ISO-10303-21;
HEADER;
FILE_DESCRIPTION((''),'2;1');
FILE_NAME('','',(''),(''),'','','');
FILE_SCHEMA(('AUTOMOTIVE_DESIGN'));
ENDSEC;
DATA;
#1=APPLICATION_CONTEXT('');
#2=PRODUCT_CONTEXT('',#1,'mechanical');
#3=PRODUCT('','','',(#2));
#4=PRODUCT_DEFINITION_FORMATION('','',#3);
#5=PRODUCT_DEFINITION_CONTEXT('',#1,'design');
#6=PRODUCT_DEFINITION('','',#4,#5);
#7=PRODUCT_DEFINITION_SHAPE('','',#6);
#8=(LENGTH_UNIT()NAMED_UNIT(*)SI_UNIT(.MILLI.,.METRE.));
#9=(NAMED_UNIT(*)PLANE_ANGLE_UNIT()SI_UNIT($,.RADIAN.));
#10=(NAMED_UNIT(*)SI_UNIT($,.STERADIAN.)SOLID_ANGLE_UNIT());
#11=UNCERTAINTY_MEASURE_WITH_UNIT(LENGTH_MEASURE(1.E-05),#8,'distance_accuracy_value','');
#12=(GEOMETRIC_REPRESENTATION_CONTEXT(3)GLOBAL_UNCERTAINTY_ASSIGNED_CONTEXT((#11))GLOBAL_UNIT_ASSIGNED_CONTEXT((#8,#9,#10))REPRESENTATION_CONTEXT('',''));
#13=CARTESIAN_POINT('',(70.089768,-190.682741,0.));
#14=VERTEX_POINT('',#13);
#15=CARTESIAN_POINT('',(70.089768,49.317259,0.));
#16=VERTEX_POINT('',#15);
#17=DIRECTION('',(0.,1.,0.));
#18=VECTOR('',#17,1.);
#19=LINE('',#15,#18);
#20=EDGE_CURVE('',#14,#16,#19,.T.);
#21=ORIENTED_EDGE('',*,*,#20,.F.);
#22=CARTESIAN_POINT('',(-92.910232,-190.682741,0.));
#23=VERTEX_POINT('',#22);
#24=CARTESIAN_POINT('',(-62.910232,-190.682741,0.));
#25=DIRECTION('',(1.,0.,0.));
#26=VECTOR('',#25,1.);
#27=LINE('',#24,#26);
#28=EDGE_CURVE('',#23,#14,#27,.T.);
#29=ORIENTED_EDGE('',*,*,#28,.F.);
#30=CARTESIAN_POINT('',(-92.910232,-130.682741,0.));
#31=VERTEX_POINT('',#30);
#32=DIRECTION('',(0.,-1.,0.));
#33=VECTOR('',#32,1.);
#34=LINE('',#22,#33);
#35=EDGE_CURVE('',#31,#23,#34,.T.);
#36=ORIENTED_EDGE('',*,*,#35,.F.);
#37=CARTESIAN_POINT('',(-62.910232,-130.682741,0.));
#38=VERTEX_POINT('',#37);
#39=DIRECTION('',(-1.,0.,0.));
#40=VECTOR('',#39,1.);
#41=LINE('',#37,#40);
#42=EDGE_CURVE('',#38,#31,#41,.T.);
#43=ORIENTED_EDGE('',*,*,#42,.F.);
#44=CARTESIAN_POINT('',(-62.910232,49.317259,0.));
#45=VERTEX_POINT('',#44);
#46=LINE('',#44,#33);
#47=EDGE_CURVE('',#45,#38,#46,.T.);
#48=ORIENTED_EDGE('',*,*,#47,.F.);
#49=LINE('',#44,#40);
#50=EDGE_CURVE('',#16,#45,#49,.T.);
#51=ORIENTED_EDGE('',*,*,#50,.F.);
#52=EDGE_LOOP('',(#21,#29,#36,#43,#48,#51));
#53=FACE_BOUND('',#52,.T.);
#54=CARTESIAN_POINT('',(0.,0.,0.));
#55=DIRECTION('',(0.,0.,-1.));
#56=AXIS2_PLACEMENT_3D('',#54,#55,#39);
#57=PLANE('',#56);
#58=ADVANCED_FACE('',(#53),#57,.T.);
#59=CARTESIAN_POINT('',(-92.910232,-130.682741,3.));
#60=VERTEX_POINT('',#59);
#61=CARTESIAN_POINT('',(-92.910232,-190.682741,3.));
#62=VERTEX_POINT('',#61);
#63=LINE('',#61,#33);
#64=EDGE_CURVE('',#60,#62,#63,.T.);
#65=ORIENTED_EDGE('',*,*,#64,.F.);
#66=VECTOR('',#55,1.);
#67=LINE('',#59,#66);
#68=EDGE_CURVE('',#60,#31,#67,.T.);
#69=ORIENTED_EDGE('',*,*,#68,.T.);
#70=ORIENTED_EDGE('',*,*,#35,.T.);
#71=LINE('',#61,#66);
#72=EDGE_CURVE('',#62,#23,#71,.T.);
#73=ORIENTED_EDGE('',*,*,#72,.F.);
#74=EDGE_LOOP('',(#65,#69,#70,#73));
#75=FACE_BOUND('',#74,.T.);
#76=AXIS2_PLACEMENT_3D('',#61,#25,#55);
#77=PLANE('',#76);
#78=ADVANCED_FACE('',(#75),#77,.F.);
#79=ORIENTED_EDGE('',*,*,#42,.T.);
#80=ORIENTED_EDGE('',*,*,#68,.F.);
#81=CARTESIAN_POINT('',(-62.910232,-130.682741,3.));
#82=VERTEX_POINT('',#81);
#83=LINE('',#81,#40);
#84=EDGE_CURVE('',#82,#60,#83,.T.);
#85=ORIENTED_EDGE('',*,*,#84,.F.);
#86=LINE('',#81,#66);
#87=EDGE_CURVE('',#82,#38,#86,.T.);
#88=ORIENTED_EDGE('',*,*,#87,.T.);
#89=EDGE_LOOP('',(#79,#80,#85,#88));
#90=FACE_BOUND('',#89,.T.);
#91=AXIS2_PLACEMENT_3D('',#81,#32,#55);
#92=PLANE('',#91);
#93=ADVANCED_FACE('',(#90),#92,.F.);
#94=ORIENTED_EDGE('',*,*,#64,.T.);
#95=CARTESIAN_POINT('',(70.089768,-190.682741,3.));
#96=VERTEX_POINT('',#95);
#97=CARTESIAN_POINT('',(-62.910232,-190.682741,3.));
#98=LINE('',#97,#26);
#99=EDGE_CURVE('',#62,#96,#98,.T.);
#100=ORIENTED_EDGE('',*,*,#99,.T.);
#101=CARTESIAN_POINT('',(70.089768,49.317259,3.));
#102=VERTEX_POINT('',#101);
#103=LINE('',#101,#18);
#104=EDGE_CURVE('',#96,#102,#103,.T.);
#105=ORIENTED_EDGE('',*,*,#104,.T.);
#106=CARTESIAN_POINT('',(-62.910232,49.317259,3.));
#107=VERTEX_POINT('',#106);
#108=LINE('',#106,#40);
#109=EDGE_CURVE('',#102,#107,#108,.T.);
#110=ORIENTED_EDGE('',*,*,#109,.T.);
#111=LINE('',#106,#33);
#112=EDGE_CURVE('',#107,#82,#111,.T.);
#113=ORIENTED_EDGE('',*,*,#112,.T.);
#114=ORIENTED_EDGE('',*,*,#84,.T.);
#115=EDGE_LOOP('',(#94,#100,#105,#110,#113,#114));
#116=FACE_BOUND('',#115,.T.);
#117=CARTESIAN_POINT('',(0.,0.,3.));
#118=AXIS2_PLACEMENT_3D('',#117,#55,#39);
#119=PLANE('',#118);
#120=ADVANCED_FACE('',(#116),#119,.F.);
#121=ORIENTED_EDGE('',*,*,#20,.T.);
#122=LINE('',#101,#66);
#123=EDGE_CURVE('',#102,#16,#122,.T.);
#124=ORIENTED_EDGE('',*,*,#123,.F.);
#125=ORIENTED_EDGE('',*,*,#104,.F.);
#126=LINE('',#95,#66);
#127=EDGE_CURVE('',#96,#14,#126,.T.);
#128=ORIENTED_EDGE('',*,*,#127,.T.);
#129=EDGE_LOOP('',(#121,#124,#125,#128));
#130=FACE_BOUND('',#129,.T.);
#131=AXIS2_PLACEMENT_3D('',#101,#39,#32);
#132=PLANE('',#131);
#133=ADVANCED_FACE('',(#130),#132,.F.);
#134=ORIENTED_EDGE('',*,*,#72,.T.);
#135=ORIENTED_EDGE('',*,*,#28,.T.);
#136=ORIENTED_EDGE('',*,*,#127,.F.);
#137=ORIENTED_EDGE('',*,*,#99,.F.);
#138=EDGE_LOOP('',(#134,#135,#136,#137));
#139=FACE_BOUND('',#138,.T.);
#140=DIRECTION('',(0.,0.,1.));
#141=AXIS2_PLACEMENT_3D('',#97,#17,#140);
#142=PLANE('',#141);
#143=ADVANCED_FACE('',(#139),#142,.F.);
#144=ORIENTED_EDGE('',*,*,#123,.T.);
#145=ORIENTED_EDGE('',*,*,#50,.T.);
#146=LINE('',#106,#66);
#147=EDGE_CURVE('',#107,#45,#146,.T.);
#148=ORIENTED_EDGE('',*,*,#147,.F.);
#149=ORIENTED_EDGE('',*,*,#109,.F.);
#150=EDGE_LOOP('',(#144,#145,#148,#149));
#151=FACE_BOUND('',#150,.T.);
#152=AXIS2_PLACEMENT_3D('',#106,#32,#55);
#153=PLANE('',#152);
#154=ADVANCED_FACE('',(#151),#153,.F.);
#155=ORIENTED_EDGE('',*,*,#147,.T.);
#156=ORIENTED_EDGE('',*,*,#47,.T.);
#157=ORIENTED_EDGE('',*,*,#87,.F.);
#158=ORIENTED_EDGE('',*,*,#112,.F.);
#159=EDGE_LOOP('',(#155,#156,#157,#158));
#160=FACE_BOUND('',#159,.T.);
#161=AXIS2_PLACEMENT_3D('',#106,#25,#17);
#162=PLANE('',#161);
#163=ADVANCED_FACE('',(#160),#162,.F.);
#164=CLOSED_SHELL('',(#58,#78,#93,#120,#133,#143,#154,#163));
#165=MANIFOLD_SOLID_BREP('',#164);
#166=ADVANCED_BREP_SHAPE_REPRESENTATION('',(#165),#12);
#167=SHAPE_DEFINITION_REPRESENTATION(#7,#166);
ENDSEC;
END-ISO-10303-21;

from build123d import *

# Parameters (mm, degrees)
BOSS_EXTRU_1_DEPTH = 3


with BuildPart() as part:
    # Esquisse1 → Boss.-Extru.1 (new body)
    with BuildSketch(Plane.XY):
        Polygon((-62.91023234, 49.317258883), (70.08976766, 49.317258883), (70.08976766, -190.682741117), (-62.91023234, -190.682741117), (-92.91023234, -190.682741117), (-92.91023234, -130.682741117), (-62.91023234, -130.682741117), align=None)
    extrude(amount=BOSS_EXTRU_1_DEPTH)


solid = part.part
